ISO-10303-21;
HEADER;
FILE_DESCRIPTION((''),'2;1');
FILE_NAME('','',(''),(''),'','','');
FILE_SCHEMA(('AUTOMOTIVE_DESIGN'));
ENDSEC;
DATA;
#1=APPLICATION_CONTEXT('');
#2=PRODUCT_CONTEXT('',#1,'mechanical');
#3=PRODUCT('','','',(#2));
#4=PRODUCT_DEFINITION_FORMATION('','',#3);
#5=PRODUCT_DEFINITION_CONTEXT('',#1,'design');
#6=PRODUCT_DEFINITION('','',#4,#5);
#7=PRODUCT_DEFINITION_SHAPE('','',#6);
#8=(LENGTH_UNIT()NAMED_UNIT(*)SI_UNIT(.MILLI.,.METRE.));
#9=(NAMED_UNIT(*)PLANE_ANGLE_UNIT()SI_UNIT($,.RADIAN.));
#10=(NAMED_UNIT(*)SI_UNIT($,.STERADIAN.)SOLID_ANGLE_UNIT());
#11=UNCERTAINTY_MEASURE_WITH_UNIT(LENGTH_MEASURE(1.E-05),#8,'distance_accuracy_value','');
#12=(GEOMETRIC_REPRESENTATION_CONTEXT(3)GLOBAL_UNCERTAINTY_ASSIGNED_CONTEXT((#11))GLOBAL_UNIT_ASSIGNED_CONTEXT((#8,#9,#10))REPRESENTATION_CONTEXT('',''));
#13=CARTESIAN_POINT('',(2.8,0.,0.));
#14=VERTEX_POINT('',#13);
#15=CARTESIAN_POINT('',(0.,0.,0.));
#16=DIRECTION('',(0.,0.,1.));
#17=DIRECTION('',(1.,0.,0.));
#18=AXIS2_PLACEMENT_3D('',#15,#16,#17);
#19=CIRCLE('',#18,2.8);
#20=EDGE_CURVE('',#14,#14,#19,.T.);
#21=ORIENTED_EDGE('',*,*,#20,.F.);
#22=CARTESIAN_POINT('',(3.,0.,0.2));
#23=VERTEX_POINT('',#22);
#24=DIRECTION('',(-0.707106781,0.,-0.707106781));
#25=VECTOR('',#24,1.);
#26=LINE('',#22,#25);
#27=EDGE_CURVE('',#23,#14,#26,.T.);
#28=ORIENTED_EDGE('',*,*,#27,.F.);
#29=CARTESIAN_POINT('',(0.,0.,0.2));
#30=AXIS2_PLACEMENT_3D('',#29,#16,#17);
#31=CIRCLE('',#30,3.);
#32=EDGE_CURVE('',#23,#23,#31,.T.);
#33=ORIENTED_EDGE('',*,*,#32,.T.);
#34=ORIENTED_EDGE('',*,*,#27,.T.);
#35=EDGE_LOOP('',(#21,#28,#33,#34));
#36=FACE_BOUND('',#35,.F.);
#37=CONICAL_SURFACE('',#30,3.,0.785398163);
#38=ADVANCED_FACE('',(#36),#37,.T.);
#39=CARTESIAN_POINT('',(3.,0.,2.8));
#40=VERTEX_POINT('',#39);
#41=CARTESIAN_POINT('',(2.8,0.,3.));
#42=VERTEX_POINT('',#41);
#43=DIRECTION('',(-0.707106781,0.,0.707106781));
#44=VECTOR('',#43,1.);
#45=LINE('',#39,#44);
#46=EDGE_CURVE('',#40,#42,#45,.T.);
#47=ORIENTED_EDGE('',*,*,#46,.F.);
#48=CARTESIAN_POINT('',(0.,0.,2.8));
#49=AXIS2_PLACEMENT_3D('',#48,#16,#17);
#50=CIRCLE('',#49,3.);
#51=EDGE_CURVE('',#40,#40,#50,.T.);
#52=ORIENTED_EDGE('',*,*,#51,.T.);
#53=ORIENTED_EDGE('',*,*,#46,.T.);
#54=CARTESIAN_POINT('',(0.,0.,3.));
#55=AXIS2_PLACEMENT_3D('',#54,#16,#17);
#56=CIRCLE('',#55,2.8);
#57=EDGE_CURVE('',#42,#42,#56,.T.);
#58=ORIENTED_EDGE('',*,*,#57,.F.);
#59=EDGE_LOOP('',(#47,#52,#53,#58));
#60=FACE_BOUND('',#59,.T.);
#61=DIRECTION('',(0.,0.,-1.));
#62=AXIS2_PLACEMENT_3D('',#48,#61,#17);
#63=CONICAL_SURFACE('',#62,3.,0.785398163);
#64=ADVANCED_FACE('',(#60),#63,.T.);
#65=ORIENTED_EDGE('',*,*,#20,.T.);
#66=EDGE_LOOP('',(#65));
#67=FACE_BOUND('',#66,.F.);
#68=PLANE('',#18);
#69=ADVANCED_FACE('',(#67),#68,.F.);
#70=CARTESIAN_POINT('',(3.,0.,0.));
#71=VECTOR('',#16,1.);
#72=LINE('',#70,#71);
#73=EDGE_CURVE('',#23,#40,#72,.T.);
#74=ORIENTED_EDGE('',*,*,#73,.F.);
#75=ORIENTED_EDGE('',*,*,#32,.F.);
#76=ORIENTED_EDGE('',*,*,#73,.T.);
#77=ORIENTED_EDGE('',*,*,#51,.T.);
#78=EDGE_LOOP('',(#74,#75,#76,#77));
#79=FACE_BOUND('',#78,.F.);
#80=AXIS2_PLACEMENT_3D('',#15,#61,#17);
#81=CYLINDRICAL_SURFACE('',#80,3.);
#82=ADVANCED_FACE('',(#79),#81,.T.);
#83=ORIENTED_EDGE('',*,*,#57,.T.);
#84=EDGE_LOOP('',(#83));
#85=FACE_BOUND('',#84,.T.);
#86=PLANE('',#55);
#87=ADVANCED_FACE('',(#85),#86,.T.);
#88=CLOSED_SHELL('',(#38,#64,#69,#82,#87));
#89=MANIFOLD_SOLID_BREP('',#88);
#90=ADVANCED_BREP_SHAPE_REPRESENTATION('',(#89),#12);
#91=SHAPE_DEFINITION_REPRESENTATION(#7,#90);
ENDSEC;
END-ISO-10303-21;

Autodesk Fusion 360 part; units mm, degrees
sketch "Sketch1" plane through (0, 0, 0) normal (0, 0, 1) x (1, 0, 0)
  circle A0 centre (0, 0) radius 3
  dimension "d1" = 6
extrude "Extrude1" add sketch "Sketch1" along normal blind 3
chamfer "Chamfer1" distance 0.2 angle 45 2 edges at (-2.797, -1.0848, 3) (-2.797, -1.0848, 0)
